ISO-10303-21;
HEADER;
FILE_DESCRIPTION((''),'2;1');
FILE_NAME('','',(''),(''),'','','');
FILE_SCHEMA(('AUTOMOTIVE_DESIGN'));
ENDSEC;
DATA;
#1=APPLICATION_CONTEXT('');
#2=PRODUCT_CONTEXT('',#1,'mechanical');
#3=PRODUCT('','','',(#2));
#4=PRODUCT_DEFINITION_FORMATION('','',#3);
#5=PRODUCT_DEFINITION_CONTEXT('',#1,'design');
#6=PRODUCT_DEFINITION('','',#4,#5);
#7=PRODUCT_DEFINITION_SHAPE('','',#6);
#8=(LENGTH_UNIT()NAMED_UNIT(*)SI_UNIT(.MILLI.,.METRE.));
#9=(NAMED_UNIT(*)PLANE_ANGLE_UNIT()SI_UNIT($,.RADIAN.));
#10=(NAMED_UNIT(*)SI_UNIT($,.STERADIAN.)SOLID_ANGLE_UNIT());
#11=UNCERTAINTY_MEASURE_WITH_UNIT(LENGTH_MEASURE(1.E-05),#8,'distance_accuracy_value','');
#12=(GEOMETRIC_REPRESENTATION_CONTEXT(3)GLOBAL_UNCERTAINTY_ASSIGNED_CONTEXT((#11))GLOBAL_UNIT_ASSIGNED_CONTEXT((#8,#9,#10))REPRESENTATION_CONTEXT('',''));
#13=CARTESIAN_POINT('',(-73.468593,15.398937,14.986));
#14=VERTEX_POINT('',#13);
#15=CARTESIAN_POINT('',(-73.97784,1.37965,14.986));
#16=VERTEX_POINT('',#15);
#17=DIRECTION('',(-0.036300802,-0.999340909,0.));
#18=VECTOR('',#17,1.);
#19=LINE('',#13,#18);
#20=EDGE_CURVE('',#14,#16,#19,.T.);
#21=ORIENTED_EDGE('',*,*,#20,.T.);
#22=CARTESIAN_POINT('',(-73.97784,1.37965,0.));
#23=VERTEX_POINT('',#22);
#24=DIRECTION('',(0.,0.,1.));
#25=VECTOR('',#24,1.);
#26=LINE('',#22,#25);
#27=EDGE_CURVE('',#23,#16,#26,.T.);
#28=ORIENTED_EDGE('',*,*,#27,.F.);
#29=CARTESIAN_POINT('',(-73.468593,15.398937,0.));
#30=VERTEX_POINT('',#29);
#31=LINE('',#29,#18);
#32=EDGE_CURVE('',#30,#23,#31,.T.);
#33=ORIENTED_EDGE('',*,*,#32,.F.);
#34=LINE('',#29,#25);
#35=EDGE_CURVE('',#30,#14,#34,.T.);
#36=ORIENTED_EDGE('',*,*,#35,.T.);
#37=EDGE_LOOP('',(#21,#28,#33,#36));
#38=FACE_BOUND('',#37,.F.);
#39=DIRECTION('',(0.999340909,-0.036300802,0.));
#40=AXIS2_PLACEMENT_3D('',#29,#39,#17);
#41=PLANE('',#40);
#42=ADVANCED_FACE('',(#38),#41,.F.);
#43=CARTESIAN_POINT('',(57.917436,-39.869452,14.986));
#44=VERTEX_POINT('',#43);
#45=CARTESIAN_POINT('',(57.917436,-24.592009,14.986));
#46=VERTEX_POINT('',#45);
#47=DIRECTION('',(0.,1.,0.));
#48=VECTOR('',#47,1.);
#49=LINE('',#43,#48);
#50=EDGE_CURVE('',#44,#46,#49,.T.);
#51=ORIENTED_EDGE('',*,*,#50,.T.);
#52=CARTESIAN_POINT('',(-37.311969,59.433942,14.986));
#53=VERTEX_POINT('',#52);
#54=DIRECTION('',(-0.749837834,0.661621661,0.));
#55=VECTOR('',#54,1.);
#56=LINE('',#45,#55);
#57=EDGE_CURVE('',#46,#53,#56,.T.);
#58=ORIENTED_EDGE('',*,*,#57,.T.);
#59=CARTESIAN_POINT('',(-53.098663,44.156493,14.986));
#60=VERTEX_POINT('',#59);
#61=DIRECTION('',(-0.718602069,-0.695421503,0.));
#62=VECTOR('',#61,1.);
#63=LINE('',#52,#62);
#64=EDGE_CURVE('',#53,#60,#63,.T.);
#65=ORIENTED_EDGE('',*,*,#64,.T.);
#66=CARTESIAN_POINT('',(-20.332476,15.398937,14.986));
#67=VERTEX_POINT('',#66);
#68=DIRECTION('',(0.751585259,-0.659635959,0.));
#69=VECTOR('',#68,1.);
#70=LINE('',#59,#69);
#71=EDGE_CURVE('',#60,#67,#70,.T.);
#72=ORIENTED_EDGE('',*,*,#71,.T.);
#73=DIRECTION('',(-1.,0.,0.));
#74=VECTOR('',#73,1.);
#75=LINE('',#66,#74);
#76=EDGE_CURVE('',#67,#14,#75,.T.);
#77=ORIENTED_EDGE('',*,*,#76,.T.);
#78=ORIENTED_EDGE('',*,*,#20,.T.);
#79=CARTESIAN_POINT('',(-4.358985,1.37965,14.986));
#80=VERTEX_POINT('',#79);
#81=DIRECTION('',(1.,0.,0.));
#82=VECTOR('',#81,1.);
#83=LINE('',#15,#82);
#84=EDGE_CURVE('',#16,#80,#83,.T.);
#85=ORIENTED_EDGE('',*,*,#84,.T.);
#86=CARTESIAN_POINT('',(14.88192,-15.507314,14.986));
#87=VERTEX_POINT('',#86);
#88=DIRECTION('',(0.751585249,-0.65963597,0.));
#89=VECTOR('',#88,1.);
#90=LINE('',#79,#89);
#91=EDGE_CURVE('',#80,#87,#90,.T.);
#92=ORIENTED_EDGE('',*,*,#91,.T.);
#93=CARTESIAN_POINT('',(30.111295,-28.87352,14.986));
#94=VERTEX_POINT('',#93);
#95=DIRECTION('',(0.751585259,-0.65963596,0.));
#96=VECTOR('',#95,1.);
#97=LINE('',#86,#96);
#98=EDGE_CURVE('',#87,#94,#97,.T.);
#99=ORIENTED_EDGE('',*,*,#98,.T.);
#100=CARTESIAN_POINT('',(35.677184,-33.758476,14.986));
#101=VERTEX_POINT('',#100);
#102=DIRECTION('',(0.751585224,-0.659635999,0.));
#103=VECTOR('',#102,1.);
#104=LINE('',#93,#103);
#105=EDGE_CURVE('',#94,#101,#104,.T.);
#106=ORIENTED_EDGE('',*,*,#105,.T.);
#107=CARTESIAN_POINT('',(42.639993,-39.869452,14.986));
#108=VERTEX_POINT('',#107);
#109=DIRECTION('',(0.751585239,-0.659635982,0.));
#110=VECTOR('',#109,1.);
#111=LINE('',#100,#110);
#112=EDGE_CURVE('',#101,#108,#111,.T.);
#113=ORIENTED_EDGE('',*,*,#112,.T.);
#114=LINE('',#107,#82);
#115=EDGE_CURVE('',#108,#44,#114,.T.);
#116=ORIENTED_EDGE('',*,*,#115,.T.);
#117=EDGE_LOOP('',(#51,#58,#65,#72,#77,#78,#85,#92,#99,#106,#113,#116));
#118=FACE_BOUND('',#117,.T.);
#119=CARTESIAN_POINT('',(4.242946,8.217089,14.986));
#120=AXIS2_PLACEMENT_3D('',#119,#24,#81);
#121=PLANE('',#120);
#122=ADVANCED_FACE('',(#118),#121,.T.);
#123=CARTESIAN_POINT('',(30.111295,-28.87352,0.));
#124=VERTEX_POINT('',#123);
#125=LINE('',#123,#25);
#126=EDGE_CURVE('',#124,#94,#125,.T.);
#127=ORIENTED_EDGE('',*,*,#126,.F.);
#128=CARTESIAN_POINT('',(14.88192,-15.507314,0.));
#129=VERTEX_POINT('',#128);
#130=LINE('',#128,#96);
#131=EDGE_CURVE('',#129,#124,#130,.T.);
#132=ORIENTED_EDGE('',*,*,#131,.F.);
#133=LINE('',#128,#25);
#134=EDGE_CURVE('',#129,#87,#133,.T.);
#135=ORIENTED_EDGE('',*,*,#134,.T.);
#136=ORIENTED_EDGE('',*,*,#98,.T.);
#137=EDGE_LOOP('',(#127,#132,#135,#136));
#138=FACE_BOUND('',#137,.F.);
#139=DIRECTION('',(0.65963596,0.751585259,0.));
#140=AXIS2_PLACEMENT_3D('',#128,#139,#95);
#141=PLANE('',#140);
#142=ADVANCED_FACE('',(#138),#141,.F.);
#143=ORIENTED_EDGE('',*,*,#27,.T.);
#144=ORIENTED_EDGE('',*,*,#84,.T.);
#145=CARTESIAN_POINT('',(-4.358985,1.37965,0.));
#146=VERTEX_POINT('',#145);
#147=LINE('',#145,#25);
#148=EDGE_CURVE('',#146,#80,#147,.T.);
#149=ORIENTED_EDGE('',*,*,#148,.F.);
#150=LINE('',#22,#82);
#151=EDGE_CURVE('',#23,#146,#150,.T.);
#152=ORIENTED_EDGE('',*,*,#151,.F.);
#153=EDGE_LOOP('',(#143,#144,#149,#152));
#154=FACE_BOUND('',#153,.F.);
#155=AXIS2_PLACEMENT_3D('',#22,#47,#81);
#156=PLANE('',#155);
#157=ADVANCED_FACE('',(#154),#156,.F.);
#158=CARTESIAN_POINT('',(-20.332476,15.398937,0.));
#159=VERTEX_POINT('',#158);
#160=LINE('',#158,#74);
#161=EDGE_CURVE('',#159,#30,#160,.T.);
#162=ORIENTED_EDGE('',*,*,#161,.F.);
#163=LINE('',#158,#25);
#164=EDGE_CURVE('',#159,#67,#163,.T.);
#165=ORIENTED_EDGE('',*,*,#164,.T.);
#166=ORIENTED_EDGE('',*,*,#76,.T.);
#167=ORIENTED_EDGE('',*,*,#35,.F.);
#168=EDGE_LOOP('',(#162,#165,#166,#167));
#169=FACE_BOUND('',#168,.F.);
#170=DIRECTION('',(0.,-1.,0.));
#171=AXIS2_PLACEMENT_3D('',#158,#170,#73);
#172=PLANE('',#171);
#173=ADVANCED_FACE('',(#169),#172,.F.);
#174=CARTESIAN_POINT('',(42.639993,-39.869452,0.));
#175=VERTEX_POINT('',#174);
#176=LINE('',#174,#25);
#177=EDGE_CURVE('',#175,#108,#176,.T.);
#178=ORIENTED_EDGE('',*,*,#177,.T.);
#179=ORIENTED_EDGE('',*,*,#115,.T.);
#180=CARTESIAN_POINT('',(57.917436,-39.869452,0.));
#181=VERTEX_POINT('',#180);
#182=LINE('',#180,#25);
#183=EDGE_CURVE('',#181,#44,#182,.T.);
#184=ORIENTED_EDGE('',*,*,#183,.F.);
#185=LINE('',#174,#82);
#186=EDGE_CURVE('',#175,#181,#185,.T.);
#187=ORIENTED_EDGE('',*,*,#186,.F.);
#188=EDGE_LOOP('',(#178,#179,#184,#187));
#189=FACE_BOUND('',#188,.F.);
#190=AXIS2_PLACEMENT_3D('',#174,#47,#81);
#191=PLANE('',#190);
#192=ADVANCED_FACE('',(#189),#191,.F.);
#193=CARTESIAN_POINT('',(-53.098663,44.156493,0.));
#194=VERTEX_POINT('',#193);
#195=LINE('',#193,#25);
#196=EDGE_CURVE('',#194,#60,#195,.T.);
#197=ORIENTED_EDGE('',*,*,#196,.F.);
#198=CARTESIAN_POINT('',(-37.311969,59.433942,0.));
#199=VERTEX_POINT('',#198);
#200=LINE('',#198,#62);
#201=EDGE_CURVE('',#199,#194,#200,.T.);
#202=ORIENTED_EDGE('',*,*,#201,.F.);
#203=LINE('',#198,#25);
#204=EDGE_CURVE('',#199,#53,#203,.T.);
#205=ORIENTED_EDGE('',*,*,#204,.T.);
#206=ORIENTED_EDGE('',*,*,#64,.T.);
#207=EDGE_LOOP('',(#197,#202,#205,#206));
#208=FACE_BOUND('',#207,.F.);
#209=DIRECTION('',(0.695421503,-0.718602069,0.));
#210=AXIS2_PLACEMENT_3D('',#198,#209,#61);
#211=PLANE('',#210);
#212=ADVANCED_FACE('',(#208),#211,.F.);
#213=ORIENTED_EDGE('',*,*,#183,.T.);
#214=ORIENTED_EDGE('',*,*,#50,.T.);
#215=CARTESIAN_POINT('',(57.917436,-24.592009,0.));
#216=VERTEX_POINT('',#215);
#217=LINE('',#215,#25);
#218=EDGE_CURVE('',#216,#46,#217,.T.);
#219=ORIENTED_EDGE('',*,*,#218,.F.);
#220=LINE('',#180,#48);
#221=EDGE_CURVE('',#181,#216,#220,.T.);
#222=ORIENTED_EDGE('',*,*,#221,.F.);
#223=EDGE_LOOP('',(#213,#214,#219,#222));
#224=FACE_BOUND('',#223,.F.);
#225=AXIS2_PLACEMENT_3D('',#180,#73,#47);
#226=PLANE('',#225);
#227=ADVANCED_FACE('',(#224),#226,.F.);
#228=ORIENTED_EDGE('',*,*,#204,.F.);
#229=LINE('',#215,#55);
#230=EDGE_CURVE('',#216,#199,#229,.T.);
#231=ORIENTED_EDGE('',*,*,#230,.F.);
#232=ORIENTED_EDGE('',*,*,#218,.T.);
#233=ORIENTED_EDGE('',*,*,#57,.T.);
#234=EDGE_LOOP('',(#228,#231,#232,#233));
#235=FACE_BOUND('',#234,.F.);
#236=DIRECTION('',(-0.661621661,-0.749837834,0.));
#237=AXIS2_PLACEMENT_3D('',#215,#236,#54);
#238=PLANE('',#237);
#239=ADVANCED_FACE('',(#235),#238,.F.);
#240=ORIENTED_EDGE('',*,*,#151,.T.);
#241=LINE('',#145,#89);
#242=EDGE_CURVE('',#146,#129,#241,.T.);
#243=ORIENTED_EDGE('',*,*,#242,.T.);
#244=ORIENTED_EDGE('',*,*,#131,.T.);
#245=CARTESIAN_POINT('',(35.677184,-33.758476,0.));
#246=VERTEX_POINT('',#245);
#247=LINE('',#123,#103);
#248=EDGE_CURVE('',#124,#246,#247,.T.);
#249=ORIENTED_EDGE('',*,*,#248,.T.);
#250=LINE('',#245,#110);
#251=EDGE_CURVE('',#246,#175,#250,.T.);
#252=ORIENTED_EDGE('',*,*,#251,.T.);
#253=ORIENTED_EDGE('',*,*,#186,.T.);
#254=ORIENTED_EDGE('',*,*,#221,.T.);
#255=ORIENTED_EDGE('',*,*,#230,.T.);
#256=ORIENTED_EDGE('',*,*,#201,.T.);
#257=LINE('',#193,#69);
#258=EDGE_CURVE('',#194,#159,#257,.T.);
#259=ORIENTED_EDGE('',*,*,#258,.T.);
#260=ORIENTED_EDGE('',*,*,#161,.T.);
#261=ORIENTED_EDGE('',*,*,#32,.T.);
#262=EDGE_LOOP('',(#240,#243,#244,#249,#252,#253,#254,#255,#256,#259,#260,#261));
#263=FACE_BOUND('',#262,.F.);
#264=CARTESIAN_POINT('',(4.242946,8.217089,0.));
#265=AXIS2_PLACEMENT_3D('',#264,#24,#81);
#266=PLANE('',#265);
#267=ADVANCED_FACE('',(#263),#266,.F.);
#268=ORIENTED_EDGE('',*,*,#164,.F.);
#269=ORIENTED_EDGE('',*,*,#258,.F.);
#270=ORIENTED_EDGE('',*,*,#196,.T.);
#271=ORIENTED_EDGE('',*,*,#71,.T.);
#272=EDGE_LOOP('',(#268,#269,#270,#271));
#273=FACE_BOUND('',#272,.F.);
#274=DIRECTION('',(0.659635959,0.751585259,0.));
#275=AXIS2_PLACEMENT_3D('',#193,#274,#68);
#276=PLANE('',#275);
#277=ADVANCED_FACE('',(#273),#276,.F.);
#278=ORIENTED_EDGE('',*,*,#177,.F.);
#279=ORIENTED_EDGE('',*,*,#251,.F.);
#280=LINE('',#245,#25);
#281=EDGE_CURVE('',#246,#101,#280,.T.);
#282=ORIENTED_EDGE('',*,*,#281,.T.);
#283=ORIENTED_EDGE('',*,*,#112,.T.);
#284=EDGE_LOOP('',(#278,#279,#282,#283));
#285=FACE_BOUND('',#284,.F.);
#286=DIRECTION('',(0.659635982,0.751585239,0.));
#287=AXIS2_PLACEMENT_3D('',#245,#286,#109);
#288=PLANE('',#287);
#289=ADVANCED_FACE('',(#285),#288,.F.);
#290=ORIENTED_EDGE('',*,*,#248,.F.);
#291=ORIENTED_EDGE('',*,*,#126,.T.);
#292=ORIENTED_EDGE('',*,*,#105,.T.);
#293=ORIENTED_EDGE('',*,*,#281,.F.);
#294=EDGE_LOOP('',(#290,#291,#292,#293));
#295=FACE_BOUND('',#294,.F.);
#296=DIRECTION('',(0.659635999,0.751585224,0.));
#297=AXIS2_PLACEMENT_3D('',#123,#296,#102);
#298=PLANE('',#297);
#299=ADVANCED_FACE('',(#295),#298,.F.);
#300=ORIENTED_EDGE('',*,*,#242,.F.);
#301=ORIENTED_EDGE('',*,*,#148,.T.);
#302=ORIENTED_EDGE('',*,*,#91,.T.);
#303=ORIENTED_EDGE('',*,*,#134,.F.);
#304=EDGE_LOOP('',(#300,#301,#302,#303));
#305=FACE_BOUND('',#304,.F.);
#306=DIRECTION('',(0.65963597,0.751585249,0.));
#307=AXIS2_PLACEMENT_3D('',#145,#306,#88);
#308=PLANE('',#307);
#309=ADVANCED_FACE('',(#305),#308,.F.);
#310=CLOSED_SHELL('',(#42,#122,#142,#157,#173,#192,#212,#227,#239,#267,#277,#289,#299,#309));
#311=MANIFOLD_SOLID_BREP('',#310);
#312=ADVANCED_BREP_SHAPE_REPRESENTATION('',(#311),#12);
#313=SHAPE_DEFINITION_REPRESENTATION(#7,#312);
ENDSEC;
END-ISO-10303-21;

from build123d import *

# Parameters (mm, degrees)
F1_DEPTH = 14.986


with BuildPart() as f1:
    # F0 (on Top) → F1 (new body)
    with BuildSketch(Plane.XY):
        Polygon((57.917436, -24.592009), (-37.311969, 59.433942), (-53.098663, 44.156493), (-20.332476, 15.398937), (-4.358985, 1.37965), (14.88192, -15.507314), (30.111295, -28.87352), (35.677184, -33.758476), (42.639993, -39.869452), (57.917436, -39.869452), align=None)
        Polygon((-4.358985, 1.37965), (-20.332476, 15.398937), (-73.468593, 15.398937), (-73.97784, 1.37965), align=None)
    extrude(amount=F1_DEPTH)


solid = f1.part
